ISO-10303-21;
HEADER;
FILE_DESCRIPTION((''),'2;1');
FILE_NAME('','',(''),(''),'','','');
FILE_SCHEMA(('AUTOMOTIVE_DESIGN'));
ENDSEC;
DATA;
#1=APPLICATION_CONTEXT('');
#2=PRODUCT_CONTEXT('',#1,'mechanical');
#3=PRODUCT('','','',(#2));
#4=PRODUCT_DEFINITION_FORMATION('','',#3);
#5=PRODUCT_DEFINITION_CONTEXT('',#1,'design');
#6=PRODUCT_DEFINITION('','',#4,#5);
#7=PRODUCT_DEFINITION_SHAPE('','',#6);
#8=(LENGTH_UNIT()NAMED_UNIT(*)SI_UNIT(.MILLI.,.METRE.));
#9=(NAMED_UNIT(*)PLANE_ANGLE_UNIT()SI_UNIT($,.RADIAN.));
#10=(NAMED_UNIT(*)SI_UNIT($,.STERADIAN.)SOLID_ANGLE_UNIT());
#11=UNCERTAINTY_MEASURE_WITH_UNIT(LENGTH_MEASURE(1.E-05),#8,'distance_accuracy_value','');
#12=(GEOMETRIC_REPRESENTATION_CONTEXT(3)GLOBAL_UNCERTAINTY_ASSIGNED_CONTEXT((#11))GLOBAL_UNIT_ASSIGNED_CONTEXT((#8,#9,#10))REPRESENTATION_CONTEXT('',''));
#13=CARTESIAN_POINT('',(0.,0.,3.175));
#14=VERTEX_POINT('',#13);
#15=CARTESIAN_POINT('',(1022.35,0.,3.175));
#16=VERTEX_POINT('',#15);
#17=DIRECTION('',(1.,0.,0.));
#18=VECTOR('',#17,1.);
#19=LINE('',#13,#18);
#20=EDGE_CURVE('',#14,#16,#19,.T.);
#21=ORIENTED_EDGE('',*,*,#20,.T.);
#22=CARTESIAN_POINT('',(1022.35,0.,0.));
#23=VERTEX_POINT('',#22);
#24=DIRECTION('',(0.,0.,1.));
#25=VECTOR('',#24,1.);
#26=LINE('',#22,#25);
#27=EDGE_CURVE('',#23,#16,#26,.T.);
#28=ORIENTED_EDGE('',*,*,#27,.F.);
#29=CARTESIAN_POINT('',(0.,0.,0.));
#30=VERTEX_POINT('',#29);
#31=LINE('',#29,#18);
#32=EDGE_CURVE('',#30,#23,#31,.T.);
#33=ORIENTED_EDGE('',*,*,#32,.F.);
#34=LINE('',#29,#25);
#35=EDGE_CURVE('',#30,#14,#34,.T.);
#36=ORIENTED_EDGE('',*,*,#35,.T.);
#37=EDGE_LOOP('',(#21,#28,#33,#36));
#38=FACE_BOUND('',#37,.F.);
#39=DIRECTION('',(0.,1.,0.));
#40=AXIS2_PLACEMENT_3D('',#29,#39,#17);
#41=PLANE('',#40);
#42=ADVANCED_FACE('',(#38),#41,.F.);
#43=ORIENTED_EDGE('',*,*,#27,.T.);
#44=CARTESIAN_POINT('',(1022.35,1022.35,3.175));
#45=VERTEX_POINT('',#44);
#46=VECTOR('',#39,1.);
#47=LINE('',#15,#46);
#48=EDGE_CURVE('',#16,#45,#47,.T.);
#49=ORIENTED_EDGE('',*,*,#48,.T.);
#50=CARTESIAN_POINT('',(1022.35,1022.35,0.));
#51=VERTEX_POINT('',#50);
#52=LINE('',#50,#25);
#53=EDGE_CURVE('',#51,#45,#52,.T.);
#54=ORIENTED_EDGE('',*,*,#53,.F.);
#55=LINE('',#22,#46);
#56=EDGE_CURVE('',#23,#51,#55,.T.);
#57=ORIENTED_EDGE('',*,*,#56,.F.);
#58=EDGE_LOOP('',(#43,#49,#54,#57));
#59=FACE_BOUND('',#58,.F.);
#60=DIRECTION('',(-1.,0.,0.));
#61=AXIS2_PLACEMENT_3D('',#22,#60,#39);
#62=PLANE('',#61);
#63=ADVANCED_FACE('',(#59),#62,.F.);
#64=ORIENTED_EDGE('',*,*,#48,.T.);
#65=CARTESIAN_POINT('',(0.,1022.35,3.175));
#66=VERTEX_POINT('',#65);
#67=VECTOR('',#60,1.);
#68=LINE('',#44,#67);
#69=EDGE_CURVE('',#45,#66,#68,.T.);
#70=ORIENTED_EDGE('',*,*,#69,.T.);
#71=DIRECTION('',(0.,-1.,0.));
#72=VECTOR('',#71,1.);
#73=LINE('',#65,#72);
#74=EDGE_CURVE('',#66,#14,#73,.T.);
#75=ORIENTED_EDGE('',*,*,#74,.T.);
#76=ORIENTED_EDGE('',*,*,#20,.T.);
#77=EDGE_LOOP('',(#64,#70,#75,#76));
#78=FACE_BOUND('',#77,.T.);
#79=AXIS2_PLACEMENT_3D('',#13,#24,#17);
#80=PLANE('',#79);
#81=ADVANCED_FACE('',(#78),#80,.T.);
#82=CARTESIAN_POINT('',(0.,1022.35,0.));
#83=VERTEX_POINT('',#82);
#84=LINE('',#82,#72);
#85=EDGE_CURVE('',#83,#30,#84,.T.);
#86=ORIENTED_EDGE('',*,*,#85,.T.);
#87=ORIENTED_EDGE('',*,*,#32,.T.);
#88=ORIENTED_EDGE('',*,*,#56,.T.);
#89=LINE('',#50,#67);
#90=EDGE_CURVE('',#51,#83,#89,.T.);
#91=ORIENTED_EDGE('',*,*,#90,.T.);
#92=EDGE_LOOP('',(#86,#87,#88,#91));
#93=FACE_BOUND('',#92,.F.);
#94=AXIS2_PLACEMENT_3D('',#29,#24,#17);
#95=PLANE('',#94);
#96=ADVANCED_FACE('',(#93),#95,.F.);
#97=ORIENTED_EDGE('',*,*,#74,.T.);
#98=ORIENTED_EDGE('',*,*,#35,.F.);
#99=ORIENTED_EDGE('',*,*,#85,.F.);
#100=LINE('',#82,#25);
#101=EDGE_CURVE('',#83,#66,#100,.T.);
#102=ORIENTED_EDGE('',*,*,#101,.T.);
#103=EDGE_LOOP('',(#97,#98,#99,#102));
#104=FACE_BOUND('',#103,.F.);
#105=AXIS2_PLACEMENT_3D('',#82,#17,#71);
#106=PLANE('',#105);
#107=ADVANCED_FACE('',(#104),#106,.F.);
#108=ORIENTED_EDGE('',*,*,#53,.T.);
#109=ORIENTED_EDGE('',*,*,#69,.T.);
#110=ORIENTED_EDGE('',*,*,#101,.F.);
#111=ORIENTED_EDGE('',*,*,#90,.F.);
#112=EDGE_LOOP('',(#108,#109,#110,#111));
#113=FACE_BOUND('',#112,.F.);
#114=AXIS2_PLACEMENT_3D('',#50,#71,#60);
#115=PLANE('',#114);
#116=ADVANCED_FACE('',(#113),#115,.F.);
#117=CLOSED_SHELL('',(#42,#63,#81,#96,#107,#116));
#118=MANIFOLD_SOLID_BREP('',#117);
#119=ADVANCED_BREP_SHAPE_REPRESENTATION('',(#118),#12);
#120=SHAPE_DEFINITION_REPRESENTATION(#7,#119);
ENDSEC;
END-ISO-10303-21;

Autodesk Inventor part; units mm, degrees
ref_plane "YZ Plane" through (0, 0, 0) normal (1, 0, 0) x (0, 1, 0)
ref_plane "XZ Plane" through (0, 0, 0) normal (0, 1, 0) x (-1, 0, 0)
ref_plane "XY Plane" through (0, 0, 0) normal (0, 0, 1) x (1, 0, 0)
sketch "Sketch1" plane through (0, 0, 0) normal (0, 0, 1) x (1, 0, 0)
  line L0 (0, 0) -> (1022.35, 0)
  line L1 (1022.35, 0) -> (1022.35, 1022.35)
  line L2 (1022.35, 1022.35) -> (0, 1022.35)
  line L3 (0, 1022.35) -> (0, 0)
  dimension "d0" = 1022.35
  dimension "d1" = 1022.35
extrude "Extrusion1" add sketch "Sketch1" along normal blind 3.175
properties part number "Clear Panel"
